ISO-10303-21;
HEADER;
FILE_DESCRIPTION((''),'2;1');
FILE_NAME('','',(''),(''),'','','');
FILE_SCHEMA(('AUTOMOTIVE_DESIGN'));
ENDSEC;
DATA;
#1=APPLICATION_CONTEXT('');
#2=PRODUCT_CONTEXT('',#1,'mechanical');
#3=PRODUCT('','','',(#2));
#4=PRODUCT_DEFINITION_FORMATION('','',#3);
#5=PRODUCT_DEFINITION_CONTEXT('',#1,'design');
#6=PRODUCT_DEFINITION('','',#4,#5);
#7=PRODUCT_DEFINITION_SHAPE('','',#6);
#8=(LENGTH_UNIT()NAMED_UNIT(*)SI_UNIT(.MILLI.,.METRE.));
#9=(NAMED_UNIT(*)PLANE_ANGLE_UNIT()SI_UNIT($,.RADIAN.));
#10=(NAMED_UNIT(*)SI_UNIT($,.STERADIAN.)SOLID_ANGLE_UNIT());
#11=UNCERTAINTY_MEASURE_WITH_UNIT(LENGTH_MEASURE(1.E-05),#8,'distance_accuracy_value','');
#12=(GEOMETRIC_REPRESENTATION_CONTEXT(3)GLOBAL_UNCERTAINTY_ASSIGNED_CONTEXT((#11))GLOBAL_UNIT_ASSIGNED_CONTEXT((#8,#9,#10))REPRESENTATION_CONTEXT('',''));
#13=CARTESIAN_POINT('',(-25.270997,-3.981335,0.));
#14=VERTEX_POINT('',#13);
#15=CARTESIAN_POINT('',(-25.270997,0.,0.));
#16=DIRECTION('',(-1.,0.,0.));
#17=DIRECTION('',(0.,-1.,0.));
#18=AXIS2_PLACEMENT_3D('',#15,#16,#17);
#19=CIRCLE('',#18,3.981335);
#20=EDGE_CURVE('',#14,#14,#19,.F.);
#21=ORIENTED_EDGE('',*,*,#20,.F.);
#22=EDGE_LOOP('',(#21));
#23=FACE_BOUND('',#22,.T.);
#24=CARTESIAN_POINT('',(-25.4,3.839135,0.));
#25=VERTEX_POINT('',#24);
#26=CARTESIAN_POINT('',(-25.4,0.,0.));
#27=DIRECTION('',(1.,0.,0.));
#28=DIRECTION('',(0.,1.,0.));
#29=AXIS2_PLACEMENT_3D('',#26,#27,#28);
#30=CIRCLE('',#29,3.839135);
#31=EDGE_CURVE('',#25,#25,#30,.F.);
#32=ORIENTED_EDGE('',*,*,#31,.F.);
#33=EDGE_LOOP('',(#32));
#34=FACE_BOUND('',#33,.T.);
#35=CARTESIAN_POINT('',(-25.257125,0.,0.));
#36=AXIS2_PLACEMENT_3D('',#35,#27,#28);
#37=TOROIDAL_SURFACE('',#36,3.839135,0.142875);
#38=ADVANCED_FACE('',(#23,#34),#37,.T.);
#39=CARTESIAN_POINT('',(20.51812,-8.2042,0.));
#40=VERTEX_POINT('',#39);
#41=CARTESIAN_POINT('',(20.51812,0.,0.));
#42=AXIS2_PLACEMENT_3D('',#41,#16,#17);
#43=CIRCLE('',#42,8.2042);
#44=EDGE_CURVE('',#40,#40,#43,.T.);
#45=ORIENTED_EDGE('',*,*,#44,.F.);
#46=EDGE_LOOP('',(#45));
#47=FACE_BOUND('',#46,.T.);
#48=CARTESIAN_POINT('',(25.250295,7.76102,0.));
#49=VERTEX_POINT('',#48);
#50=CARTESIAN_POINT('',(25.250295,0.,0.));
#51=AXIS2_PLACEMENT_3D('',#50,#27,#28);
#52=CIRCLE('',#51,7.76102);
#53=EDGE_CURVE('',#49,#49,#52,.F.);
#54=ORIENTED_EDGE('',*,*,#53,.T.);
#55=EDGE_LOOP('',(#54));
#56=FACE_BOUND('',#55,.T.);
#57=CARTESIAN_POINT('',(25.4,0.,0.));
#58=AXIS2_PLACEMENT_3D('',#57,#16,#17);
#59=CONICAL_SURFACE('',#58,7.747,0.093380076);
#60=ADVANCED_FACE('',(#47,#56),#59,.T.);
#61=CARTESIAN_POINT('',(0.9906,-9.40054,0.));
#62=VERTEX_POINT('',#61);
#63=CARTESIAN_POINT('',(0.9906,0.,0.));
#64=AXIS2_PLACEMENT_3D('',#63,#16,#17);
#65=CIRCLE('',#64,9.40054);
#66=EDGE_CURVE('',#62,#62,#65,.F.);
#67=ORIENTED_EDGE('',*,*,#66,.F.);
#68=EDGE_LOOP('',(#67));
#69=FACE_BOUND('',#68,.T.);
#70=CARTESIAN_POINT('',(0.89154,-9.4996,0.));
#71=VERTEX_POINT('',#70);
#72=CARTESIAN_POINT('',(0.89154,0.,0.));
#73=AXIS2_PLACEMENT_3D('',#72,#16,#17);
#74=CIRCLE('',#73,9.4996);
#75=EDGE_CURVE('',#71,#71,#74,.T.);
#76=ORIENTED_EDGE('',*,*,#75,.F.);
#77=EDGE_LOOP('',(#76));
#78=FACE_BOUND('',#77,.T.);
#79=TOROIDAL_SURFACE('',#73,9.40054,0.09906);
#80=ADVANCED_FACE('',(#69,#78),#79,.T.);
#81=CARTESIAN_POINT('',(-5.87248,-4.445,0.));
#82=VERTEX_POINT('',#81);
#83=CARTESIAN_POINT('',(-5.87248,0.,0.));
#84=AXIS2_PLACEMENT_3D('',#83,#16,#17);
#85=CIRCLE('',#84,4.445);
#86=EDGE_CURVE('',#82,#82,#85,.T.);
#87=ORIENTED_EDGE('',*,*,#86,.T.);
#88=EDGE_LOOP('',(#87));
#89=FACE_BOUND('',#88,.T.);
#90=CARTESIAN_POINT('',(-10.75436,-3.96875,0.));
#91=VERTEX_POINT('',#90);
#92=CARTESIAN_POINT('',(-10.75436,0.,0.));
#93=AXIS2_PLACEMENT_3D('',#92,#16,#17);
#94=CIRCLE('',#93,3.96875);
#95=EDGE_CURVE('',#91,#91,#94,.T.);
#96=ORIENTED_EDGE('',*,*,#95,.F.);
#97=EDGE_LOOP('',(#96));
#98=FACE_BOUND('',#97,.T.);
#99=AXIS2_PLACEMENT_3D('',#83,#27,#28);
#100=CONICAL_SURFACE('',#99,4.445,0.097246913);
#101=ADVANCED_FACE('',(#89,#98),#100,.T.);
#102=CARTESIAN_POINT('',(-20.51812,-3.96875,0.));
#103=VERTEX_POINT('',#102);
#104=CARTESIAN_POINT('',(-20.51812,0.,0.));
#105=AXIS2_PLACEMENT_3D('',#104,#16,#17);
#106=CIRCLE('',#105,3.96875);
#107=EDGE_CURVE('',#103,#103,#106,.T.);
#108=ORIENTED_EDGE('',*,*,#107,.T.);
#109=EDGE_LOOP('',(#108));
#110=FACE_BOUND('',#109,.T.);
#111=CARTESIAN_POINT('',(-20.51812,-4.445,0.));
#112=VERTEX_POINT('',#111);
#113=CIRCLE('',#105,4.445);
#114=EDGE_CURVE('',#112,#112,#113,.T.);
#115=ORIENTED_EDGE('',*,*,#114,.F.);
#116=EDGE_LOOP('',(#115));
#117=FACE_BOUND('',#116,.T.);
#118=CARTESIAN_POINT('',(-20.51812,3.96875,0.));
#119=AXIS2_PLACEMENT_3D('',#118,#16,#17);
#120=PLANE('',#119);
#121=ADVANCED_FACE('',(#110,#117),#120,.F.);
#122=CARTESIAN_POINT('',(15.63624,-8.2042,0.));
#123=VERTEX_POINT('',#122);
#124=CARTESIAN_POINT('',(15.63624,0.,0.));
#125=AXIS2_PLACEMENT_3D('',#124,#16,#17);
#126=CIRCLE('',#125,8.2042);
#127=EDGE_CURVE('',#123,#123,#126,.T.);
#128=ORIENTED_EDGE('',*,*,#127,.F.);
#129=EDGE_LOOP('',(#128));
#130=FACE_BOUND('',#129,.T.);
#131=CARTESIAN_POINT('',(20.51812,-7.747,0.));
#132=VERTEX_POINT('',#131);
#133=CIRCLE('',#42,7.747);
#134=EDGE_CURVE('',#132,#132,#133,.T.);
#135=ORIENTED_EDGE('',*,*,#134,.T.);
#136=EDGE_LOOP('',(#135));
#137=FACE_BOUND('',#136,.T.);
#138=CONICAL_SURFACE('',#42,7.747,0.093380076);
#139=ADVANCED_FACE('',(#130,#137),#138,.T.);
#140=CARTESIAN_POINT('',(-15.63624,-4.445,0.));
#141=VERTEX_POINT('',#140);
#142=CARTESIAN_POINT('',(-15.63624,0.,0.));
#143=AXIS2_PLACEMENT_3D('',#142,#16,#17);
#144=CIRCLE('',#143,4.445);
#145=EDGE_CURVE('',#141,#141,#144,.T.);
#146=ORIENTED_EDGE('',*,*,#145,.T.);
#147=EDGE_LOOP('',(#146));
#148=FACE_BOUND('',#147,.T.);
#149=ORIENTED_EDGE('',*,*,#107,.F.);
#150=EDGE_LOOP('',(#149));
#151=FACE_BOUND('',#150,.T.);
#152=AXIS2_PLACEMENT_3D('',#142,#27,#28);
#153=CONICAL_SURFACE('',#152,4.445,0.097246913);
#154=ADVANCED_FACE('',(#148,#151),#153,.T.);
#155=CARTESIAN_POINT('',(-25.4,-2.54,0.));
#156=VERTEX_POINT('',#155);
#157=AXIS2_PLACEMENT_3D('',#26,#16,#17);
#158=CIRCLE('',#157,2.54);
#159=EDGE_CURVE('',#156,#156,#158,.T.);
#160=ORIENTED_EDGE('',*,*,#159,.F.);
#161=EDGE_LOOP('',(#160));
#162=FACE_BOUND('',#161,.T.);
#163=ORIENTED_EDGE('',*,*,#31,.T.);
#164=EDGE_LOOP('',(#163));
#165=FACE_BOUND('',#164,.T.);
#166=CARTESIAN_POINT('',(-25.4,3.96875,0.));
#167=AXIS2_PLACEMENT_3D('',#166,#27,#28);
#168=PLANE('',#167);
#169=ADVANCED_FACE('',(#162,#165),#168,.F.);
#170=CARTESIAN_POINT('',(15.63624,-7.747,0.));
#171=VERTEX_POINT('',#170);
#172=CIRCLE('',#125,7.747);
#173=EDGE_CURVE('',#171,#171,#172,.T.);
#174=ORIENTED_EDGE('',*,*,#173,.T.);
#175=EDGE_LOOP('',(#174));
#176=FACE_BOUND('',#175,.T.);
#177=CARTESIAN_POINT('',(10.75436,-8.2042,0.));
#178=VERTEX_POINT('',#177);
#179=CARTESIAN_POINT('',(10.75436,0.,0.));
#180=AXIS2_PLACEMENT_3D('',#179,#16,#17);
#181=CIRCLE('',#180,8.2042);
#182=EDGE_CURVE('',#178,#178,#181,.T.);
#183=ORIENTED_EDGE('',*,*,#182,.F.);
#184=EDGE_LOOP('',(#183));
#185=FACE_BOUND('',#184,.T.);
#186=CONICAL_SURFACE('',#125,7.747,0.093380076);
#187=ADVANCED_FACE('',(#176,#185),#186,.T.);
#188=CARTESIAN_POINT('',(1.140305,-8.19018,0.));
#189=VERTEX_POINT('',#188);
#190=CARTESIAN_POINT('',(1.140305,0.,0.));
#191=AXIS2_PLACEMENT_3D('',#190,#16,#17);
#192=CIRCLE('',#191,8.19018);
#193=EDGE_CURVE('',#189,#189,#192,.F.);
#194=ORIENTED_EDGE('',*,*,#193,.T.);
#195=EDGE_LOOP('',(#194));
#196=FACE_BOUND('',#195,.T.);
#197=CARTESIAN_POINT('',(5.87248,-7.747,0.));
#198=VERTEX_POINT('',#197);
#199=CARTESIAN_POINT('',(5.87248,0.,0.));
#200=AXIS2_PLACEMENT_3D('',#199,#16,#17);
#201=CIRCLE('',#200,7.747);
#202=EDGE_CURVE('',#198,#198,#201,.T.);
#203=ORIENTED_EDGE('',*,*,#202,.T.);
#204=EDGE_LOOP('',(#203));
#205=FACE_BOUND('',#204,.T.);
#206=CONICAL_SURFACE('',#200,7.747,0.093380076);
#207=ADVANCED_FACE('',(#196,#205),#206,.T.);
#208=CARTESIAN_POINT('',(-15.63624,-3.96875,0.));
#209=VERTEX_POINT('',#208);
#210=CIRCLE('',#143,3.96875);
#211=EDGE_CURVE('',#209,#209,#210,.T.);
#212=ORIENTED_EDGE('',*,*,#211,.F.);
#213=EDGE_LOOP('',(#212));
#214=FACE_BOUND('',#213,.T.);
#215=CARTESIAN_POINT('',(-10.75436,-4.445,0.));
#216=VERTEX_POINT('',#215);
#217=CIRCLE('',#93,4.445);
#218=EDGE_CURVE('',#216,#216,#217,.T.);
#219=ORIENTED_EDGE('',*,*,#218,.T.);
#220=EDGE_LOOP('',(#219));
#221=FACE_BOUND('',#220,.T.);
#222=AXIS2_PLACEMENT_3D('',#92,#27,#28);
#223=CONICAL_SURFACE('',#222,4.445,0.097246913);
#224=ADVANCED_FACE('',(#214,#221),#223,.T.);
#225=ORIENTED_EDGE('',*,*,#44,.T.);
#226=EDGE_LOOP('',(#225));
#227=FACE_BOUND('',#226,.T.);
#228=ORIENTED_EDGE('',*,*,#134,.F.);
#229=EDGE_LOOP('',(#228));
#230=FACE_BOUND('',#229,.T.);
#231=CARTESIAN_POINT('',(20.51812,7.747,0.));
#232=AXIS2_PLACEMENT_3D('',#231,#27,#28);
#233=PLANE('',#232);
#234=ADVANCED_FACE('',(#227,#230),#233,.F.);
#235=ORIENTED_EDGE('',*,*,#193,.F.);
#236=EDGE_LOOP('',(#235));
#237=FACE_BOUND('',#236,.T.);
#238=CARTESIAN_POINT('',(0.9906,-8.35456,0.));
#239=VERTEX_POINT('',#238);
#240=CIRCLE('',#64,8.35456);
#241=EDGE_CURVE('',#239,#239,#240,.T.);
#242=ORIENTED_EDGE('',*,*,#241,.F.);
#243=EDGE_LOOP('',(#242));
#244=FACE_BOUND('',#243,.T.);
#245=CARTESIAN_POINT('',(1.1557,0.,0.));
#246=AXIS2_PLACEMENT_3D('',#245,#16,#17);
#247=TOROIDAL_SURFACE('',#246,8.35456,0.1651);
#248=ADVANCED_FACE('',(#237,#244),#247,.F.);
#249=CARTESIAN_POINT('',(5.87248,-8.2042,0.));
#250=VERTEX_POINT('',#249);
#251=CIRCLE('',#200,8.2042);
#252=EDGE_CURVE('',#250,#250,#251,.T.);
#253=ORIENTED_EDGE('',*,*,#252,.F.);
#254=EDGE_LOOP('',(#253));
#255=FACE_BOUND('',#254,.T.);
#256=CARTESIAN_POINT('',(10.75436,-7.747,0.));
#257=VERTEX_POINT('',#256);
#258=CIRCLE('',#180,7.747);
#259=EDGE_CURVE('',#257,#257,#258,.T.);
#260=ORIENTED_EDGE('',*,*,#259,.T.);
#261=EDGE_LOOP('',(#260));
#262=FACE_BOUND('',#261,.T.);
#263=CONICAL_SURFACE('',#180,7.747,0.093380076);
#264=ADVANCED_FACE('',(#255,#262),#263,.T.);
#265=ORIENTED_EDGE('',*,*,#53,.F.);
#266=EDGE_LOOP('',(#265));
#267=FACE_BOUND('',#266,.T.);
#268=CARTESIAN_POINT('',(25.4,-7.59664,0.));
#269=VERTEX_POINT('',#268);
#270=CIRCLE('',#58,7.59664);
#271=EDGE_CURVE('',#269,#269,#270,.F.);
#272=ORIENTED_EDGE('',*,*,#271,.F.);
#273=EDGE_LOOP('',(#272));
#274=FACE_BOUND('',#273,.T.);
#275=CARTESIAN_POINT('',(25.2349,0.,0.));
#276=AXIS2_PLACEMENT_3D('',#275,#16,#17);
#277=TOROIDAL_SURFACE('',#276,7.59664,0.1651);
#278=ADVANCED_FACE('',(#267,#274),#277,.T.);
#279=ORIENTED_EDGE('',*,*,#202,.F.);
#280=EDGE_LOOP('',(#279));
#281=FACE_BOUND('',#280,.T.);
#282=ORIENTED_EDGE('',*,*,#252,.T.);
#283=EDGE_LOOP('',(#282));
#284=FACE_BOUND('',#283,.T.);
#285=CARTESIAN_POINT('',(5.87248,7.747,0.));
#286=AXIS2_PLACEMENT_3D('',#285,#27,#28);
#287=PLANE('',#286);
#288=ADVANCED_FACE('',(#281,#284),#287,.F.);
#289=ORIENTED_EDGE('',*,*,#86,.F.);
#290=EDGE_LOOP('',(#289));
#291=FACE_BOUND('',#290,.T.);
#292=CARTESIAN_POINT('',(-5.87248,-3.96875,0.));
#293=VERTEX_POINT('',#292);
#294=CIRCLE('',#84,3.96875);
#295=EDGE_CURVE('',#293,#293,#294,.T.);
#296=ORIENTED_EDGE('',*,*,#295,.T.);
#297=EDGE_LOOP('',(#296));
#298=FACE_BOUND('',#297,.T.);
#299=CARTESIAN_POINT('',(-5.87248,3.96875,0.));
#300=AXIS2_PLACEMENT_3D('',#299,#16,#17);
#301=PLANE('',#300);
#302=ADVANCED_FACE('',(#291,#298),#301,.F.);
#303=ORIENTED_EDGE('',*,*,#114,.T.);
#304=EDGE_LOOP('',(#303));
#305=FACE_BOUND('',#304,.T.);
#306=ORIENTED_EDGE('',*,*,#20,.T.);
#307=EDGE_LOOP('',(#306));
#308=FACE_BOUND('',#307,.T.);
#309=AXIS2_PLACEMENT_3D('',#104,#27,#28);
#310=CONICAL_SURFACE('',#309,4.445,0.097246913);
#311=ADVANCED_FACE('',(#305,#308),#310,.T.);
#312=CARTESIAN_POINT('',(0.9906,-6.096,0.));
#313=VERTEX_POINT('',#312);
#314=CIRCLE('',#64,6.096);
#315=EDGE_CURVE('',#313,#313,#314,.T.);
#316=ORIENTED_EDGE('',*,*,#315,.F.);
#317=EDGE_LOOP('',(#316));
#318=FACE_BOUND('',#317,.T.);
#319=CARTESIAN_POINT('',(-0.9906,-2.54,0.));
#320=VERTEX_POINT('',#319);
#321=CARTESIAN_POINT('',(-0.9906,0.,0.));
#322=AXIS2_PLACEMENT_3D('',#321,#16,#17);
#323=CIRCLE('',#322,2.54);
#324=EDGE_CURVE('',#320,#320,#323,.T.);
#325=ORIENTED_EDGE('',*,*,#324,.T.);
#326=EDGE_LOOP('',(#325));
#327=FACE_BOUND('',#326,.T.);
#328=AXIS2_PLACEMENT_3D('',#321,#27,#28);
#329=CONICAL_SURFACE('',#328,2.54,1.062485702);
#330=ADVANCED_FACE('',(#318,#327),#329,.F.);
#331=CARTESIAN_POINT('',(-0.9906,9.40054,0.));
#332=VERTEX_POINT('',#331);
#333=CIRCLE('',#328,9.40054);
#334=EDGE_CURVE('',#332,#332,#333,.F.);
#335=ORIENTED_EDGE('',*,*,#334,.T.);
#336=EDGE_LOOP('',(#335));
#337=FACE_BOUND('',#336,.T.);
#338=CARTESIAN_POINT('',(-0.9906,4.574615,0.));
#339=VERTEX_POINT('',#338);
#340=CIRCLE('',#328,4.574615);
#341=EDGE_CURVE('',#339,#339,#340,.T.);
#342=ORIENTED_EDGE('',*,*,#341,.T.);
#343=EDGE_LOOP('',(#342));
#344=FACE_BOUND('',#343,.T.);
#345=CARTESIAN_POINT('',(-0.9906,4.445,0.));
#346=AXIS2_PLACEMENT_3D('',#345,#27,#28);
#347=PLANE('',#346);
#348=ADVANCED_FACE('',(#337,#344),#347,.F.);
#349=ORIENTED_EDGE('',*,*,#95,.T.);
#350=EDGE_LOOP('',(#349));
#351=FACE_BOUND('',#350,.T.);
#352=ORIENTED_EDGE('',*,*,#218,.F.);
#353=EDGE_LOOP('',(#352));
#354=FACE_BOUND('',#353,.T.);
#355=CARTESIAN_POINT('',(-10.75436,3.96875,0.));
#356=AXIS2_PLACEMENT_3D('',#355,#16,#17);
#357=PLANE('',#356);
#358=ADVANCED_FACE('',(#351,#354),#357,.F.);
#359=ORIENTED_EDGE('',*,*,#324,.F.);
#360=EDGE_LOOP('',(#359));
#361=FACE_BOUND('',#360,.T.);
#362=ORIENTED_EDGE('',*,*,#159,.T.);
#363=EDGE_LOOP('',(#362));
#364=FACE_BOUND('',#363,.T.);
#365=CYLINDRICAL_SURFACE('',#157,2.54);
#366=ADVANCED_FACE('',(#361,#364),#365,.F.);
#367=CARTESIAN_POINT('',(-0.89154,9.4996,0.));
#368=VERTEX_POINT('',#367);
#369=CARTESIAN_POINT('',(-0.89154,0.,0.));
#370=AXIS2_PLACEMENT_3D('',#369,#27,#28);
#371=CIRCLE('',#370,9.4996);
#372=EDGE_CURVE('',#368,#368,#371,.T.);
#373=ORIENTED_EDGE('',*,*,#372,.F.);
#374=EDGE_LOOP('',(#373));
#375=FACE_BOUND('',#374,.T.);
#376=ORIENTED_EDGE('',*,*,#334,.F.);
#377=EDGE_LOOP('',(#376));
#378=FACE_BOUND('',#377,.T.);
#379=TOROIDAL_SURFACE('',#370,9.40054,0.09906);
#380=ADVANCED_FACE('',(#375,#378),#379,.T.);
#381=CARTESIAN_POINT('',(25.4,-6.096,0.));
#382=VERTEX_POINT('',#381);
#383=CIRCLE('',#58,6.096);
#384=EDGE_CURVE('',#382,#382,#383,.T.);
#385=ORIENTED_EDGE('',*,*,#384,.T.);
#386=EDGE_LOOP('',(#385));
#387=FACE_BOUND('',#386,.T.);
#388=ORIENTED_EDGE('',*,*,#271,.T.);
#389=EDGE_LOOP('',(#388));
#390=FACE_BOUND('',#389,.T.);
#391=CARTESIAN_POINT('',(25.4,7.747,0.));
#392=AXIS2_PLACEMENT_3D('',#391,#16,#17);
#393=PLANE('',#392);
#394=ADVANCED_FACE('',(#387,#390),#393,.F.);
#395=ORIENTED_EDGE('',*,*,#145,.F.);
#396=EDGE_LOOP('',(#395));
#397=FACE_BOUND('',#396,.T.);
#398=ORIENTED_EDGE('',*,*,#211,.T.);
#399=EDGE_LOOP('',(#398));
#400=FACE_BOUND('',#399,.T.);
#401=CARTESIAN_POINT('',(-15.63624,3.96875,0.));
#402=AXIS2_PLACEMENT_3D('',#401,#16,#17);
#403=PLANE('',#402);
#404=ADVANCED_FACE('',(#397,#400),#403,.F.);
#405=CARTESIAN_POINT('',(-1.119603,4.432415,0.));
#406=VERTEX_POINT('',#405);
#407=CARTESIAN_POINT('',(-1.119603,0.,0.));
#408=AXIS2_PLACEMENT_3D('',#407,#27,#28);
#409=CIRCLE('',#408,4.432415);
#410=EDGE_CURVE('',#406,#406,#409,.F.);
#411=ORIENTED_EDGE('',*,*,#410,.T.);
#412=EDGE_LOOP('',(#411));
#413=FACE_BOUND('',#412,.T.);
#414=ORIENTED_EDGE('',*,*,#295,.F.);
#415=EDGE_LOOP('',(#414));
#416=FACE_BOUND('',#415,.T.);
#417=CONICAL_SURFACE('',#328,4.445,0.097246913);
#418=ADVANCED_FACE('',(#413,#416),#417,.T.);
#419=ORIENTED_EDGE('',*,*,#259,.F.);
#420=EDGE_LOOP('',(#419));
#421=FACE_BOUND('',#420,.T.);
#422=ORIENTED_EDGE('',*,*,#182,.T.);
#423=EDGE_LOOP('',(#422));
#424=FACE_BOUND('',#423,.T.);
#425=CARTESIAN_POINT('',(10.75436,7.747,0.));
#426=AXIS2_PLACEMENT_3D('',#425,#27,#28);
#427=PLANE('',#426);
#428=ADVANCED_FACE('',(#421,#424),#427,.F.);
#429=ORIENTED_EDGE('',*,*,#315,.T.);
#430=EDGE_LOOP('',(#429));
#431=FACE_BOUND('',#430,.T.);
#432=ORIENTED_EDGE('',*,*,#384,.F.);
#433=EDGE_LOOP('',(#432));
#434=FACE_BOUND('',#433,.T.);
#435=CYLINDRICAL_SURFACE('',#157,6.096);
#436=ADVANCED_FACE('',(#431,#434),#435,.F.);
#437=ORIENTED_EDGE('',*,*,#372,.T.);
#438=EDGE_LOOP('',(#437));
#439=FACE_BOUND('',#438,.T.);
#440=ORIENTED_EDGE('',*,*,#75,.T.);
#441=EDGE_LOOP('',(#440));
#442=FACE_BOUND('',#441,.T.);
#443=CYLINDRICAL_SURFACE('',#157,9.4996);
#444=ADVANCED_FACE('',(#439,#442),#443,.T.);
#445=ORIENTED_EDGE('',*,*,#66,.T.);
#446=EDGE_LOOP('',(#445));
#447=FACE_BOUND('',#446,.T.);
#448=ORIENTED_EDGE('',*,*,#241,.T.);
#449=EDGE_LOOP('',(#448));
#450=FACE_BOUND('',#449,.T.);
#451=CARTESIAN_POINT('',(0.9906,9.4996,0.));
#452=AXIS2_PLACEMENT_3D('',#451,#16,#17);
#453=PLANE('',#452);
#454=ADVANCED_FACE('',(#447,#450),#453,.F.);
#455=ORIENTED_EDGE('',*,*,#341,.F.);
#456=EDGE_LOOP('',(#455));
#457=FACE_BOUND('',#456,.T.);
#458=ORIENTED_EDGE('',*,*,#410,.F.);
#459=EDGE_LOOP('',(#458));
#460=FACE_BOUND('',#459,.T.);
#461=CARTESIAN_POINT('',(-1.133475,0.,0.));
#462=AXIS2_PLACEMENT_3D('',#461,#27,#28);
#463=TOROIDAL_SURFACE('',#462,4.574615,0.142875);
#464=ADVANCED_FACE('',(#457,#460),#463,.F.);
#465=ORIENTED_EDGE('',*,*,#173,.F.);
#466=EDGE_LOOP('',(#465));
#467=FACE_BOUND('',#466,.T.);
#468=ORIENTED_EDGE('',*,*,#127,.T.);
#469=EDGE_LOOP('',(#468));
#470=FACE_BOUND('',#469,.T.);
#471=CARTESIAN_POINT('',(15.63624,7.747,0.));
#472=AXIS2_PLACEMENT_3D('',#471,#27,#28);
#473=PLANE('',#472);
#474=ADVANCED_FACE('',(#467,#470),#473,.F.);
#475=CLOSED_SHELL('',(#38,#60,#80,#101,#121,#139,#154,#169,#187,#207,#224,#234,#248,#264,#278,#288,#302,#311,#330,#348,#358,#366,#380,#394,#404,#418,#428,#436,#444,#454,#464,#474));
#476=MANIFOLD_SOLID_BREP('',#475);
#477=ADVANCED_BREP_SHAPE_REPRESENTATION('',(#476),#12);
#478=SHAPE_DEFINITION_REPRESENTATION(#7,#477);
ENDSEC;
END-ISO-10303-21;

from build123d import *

# Parameters (mm, degrees)
LPATTERN1_COUNT = 4
LPATTERN1_PITCH = 4.88188
LPATTERN2_COUNT = 4
LPATTERN2_PITCH = 4.88188
FILLET1_R       = 0.09906
FILLET2_R       = 0.142875
FILLET3_R       = 0.1651


with BuildPart() as part:
    # Sketch2 → Revolve1 (revolve)
    with BuildSketch(Plane.XY, mode=Mode.PRIVATE) as revolve1_sk:
        Polygon((-25.4, 3.96875), (-5.87248, 3.96875), (-0.9906, 4.445), (-0.9906, 9.4996), (0.9906, 9.4996), (0.9906, 8.2042), (5.87248, 7.747), (25.4, 7.747), (25.4, 6.096), (0.9906, 6.096), (-0.9906, 2.54), (-25.4, 2.54), align=None)
    revolve(revolve1_sk.sketch.rotate(Axis((-25.4, 0, 0), (1, 0, 0)), 180), axis=Axis((-25.4, 0, 0), (1, 0, 0)))

    # Sketch3 → Revolve2 (revolve)
    with BuildSketch(Plane.XY, mode=Mode.PRIVATE) as revolve2_sk:
        Polygon((-25.4, 3.96875), (-20.51812, 3.96875), (-20.51812, 4.445), align=None)
    revolve2 = revolve(revolve2_sk.sketch.rotate(Axis((-25.4, 0, 0), (1, 0, 0)), 180), axis=Axis((-25.4, 0, 0), (1, 0, 0)))

    # LPattern1: Revolve2 ×4
    with Locations(*[(i * LPATTERN1_PITCH, 0, 0) for i in range(1, LPATTERN1_COUNT)]):
        add(revolve2)

    # Sketch4 → Revolve3 (revolve)
    with BuildSketch(Plane.XY, mode=Mode.PRIVATE) as revolve3_sk:
        Polygon((25.4, 7.747), (20.51812, 7.747), (20.51812, 8.2042), align=None)
    revolve3 = revolve(revolve3_sk.sketch.rotate(Axis((-25.4, 0, 0), (1, 0, 0)), 180), axis=Axis((-25.4, 0, 0), (1, 0, 0)))

    # LPattern2: Revolve3 ×4
    with Locations(*[(-i * LPATTERN2_PITCH, 0, 0) for i in range(1, LPATTERN2_COUNT)]):
        add(revolve3)

    # Fillet1
    fillet1_edges = [part.edges().sort_by_distance(p)[0] for p in [
        (0.9906, 9.4996, 0),
        (-0.9906, 9.4996, 0),
    ]]
    fillet(fillet1_edges, radius=FILLET1_R)

    # Fillet2
    fillet2_edges = [part.edges().sort_by_distance(p)[0] for p in [
        (-25.4, 3.96875, 0),
        (-0.9906, 4.445, 0),
    ]]
    fillet(fillet2_edges, radius=FILLET2_R)

    # Fillet3
    fillet3_edges = [part.edges().sort_by_distance(p)[0] for p in [
        (0.9906, 8.2042, 0),
        (25.4, 7.747, 0),
    ]]
    fillet(fillet3_edges, radius=FILLET3_R)


solid = part.part
